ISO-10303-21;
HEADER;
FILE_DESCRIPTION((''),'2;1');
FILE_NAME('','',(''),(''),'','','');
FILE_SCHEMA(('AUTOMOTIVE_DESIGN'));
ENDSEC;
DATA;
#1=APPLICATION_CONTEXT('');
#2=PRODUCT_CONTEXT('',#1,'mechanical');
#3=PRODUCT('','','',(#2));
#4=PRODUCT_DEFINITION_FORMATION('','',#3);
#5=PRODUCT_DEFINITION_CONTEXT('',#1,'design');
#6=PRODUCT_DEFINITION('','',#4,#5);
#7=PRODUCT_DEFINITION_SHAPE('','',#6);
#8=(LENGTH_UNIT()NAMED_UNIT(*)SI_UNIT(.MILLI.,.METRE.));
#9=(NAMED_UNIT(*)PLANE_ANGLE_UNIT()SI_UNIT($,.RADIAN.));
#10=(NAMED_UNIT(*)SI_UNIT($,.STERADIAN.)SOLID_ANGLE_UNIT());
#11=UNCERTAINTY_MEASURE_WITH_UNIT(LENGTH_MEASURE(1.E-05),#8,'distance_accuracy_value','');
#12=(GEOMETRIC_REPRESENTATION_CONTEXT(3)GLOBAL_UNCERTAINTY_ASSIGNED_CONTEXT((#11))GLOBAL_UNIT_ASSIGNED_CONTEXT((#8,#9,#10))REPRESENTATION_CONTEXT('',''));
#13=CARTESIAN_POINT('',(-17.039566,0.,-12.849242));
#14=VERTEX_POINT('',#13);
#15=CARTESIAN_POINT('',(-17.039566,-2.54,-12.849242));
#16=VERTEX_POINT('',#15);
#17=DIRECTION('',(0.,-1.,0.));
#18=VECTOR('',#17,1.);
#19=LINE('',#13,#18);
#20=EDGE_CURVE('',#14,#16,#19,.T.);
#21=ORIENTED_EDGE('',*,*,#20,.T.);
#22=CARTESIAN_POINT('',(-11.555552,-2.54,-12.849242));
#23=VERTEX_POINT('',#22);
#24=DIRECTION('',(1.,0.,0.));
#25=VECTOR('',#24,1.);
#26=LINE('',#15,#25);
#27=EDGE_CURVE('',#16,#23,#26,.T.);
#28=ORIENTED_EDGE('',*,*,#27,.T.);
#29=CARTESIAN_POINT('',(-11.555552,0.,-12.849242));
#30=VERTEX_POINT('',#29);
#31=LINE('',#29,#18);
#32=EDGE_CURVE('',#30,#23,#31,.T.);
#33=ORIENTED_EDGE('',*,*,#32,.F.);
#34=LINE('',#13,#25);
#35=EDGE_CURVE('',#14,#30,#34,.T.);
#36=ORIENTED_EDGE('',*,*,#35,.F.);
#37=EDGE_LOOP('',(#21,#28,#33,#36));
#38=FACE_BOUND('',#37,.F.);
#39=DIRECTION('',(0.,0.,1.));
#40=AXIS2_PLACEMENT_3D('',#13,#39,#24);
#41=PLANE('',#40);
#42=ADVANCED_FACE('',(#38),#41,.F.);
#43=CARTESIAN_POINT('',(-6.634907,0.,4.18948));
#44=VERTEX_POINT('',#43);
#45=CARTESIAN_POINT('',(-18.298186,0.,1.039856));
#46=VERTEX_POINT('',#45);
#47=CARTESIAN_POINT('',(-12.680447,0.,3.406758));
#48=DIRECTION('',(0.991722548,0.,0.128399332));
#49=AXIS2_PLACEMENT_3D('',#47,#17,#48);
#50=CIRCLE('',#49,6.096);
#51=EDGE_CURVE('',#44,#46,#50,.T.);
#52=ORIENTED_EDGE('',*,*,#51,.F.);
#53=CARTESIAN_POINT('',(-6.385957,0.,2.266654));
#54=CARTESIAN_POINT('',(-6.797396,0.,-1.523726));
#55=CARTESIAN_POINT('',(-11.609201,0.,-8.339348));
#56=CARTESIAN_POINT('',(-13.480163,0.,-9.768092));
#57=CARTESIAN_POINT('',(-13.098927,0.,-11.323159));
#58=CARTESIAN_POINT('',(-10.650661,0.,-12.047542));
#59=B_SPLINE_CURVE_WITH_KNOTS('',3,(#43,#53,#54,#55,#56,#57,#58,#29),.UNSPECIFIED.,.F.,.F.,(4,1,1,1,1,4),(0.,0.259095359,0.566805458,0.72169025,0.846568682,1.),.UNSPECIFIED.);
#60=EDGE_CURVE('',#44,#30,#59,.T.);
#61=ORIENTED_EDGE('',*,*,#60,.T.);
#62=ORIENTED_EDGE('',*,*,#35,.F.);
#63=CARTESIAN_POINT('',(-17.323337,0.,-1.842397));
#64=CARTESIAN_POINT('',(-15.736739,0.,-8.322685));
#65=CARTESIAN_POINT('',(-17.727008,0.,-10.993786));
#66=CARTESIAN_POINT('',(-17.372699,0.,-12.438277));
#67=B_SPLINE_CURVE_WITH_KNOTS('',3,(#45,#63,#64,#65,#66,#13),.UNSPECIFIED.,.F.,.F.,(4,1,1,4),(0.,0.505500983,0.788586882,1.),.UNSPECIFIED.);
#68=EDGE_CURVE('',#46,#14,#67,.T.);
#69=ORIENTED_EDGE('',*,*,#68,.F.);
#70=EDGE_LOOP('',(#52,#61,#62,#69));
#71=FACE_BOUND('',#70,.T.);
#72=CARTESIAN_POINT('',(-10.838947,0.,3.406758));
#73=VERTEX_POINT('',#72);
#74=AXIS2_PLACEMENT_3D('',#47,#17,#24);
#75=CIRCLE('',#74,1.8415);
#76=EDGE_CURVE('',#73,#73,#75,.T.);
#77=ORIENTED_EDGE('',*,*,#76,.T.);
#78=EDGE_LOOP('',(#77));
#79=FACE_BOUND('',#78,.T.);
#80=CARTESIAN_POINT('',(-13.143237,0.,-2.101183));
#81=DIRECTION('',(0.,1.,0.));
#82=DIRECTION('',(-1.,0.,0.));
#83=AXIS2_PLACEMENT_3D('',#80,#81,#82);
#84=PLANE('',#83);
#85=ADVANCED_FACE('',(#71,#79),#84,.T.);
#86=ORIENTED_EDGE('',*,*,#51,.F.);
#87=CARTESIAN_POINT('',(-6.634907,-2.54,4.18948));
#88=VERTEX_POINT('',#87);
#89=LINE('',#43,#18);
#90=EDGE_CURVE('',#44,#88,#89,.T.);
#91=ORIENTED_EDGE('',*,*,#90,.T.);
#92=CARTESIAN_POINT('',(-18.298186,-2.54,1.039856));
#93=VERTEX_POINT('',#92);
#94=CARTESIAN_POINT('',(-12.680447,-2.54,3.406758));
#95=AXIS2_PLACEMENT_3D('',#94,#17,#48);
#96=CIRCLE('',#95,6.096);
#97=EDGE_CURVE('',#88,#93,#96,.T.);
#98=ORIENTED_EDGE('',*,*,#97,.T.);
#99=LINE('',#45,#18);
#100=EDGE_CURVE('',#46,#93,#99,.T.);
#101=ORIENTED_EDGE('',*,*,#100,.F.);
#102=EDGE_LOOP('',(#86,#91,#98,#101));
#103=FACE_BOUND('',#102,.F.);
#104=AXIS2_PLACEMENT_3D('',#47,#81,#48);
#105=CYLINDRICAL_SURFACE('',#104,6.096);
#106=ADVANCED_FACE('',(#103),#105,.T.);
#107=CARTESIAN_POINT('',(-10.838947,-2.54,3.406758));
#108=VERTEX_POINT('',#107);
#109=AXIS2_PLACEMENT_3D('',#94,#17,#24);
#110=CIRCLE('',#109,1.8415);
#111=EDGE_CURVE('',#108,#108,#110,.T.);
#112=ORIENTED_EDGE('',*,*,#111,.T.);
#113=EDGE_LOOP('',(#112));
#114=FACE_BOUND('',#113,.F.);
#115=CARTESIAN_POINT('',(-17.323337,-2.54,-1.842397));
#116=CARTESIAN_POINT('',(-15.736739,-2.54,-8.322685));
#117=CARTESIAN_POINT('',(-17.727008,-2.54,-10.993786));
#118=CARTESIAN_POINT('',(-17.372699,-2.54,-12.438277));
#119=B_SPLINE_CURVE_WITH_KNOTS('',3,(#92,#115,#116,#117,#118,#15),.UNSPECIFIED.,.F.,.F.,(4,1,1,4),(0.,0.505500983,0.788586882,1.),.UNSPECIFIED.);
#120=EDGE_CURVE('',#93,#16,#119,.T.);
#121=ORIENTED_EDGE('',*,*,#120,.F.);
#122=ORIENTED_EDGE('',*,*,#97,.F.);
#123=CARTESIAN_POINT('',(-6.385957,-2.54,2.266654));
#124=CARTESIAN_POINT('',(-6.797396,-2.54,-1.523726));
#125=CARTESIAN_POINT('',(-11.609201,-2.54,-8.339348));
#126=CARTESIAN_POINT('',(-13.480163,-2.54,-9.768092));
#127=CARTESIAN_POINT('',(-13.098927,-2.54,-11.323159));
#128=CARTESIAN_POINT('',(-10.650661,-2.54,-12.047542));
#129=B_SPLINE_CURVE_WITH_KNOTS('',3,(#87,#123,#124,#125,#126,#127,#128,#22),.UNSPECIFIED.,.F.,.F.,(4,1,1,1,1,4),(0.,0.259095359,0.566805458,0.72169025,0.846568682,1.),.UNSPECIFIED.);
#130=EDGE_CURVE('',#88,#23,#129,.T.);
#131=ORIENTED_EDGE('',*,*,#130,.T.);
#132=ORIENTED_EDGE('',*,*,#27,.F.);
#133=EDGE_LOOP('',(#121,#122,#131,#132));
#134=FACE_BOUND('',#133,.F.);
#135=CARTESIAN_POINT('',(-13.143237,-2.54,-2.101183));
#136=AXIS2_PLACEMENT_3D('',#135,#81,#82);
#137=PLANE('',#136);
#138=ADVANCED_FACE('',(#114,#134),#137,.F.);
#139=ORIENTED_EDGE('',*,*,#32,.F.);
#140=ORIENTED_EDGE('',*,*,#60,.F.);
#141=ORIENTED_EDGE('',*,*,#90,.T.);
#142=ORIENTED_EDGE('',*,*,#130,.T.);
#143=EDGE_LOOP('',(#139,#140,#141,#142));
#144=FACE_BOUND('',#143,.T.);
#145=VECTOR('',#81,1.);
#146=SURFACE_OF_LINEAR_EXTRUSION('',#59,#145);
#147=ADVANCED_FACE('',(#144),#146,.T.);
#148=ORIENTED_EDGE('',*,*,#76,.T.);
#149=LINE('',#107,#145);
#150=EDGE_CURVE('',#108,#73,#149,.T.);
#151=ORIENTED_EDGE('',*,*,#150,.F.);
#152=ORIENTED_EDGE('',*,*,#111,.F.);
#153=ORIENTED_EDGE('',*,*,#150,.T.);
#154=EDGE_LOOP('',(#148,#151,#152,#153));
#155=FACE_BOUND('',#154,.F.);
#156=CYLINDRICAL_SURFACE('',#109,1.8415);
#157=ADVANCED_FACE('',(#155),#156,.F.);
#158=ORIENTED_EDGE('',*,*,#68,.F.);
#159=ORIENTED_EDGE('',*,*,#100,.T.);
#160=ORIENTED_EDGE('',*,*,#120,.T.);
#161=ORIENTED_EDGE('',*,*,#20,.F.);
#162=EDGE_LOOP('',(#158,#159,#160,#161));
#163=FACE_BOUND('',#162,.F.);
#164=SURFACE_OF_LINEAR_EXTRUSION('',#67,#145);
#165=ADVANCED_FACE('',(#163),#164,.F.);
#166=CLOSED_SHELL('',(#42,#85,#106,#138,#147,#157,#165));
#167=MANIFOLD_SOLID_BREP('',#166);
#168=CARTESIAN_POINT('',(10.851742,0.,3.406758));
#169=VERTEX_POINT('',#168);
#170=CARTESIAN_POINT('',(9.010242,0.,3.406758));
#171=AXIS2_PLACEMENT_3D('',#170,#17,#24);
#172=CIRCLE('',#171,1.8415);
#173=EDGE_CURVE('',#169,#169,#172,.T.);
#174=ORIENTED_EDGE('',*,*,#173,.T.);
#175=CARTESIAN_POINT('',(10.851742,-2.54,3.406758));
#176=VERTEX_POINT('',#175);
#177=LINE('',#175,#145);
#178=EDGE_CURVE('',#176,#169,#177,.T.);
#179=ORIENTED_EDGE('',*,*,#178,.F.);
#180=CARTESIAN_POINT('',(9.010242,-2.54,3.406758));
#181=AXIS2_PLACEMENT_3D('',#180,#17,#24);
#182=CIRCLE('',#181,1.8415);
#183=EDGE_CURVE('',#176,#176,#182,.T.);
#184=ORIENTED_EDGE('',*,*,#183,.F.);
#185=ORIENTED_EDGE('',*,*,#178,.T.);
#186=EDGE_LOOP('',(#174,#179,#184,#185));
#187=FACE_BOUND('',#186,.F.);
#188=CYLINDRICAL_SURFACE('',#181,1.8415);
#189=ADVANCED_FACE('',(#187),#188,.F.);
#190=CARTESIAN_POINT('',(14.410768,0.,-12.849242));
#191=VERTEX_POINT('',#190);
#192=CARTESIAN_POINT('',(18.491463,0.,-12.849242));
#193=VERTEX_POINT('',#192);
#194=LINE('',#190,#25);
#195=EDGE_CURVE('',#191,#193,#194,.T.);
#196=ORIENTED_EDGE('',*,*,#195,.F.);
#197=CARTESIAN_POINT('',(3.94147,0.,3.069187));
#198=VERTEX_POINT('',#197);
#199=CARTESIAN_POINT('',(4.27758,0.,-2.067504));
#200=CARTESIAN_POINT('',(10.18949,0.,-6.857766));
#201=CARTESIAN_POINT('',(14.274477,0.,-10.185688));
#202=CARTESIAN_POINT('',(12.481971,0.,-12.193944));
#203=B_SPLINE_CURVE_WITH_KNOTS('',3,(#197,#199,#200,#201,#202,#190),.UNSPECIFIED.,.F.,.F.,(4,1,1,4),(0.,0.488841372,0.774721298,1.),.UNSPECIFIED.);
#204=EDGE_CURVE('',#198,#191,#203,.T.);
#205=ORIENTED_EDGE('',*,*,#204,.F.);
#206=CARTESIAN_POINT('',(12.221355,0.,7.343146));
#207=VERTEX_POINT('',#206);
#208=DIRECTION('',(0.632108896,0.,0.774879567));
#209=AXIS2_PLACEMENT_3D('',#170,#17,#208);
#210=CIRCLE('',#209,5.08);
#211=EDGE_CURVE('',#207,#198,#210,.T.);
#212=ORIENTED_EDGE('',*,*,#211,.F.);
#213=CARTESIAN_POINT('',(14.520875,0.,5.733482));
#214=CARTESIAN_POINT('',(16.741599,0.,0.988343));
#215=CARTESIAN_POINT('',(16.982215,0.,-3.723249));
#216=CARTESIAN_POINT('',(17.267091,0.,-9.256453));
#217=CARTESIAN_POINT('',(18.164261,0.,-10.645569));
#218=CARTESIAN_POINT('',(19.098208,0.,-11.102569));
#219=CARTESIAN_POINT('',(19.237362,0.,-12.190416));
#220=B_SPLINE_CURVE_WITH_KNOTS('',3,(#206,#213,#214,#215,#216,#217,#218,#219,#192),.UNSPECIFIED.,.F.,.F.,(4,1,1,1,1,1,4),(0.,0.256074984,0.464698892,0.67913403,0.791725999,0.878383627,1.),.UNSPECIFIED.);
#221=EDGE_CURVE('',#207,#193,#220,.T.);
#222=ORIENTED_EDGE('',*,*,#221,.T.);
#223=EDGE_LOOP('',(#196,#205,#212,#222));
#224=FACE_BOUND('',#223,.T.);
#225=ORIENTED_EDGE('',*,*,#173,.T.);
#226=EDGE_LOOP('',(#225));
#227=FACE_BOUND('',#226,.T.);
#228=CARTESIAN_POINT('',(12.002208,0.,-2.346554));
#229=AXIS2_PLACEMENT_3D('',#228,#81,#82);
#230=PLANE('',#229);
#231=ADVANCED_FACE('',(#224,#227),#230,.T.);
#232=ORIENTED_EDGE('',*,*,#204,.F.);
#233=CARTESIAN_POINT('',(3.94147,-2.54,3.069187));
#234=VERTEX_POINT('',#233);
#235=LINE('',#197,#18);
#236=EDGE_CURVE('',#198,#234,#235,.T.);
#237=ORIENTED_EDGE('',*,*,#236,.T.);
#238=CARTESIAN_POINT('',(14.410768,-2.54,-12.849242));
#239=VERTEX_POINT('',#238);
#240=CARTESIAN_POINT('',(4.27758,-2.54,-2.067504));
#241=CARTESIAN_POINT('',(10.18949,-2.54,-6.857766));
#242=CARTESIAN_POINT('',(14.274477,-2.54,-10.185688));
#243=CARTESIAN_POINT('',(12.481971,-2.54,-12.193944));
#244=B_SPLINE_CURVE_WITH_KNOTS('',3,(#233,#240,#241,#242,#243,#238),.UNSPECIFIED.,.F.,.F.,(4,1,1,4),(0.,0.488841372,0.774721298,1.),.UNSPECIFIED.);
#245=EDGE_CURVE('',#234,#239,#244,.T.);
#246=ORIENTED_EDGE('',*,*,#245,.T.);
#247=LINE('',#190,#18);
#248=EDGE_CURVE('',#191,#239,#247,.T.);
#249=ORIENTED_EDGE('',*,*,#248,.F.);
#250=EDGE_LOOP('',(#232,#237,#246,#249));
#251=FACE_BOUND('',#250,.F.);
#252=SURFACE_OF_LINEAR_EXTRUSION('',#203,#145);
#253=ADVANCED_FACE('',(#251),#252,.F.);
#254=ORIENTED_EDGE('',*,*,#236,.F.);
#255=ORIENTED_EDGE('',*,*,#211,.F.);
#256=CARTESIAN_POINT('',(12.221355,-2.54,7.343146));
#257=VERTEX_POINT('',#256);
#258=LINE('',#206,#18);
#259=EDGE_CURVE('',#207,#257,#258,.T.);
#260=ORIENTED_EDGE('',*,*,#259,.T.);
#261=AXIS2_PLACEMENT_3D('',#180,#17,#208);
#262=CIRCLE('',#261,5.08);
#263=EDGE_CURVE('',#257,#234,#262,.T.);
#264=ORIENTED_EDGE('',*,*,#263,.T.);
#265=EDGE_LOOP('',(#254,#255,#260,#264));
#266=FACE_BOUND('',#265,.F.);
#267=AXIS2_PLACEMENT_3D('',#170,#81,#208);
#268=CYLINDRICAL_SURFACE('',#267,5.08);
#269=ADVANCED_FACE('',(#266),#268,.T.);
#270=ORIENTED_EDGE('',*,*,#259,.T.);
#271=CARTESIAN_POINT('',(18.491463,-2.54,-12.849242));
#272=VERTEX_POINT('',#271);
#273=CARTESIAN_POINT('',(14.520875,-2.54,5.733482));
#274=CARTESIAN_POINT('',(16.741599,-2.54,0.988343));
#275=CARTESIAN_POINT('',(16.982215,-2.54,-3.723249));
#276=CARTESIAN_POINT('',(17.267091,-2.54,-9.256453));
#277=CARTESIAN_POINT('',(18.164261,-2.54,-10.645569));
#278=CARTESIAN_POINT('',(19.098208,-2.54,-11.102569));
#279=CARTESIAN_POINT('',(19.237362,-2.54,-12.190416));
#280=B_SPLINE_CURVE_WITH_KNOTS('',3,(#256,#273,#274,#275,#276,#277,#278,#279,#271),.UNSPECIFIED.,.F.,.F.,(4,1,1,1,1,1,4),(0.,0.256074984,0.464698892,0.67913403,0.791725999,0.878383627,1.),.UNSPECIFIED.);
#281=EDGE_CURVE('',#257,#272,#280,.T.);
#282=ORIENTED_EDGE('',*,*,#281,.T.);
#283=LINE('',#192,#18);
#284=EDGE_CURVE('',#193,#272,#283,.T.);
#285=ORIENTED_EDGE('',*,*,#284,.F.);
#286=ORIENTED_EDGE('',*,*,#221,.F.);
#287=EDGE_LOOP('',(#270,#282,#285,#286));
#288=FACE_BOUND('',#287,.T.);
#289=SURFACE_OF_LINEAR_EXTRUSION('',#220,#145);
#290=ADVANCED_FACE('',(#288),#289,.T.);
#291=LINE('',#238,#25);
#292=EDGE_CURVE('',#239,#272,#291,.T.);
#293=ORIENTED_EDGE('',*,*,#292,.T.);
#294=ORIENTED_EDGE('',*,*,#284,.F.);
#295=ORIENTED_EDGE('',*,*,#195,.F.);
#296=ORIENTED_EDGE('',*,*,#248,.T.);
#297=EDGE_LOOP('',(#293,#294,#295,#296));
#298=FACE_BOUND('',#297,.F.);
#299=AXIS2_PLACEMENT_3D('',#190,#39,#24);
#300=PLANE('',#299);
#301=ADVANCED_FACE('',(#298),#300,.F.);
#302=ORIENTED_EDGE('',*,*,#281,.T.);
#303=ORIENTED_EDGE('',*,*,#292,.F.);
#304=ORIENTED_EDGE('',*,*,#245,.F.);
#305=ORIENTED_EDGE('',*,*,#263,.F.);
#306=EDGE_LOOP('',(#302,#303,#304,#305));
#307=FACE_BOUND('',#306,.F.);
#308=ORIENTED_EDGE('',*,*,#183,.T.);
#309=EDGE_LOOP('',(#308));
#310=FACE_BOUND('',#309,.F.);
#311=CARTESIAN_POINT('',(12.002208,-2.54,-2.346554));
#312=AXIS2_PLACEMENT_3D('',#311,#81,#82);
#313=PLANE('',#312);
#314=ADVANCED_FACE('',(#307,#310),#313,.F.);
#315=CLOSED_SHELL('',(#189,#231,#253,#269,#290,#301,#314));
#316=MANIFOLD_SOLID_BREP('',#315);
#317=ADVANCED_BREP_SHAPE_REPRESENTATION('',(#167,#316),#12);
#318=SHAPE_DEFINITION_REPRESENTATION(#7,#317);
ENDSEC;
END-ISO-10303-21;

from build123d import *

# Parameters (mm, degrees)
F0_R     = 1.905
F1_DEPTH = 3.175
F2_SCALE = 0.8
F3_R     = 1.8415
F4_DEPTH = 2.5410001


with BuildPart() as f1:
    # F0 (on Front) → F1 (new body)
    with BuildSketch(Plane.XZ):
        with BuildLine():
            add(Edge.make_bspline(
                [(15.2766938218, 9.1789322707), (18.151094091, 7.1668521774), (20.9269990257, 1.23542886), (21.2277681546, -4.6540606662), (21.5838634633, -11.5705662324), (22.7053267286, -13.3069617185), (23.8727598783, -13.8782113098), (24.046701891, -15.238019906), (23.1143286587, -16.0615529811)],
                knots=[0, 0, 0, 0, 0.2560749835, 0.4646988923, 0.6791340304, 0.7917259994, 0.8783836268, 1, 1, 1, 1], degree=3))
            ThreePointArc((15.2766938218, 9.1789322707), (8.3501666844, 9.9010575477), (4.9268378045, 3.8364831619))
            add(Edge.make_bspline(
                [(4.9268378045, 3.8364831619), (5.346975618, -2.5843795785), (12.736862968, -8.5722075624), (17.843095969, -12.7321101967), (15.6024638024, -15.2424295391), (18.0134600164, -16.0615529811)],
                knots=[0, 0, 0, 0, 0.4888413716, 0.774721298, 1, 1, 1, 1], degree=3))
            Line((18.0134600164, -16.0615529811), (23.1143286587, -16.0615529811))
        make_face()
        with Locations((11.2628023327, 4.2584470189)):
            Circle(F0_R, mode=Mode.SUBTRACT)
    extrude(amount=F1_DEPTH)


with BuildPart() as f1b:
    # F0 (on Front) → F1, piece 2 (new body)
    with BuildSketch(Plane.XZ):
        with BuildLine():
            add(Edge.make_bspline(
                [(-8.2936335114, 5.2368499319), (-7.9824457686, 2.8333179563), (-8.4967454129, -1.9046579068), (-14.5115015192, -10.424185367), (-16.8502036964, -12.2101148814), (-16.3736586102, -14.1539483863), (-13.3133264784, -15.0594276561), (-14.4444399621, -16.0615529811)],
                knots=[0, 0, 0, 0, 0.2590953594, 0.5668054584, 0.72169025, 0.8465686818, 1, 1, 1, 1], degree=3))
            ThreePointArc((-8.2936335114, 5.2368499319), (-17.8371497576, 11.6149311281), (-22.8727331196, 1.2998197719))
            add(Edge.make_bspline(
                [(-22.8727331196, 1.2998197719), (-21.6541715744, -2.3029959403), (-19.6709242531, -10.4033567029), (-22.1587598592, -13.742231951), (-21.7158737806, -15.5478463297), (-21.2994578776, -16.0615529811)],
                knots=[0, 0, 0, 0, 0.505500983, 0.788586882, 1, 1, 1, 1], degree=3))
            Line((-21.2994578776, -16.0615529811), (-14.4444399621, -16.0615529811))
        make_face()
        with Locations((-15.8505593242, 4.2584470189)):
            Circle(F0_R, mode=Mode.SUBTRACT)
    extrude(amount=F1_DEPTH)


with BuildPart() as f1_1:
    # F2: moved
    add(f1.part.scale(F2_SCALE))


with BuildPart() as f1b_1:
    # F2: moved
    add(f1b.part.scale(F2_SCALE))


with BuildPart() as f4_tool:
    # F3 (on face) → F4 (new body, through all)
    with BuildSketch(Plane.XZ.offset(2.54)):
        with Locations((-12.6804474594, 3.4067576151)):
            Circle(F3_R)
        with Locations((9.0102418662, 3.4067576151)):
            Circle(F3_R)
    extrude(amount=-F4_DEPTH)


with BuildPart() as f1_2:
    add(f1_1.part)

    # F4: cut by f4_tool
    add(f4_tool.part, mode=Mode.SUBTRACT)


with BuildPart() as f1b_2:
    add(f1b_1.part)

    # F4: cut by f4_tool
    add(f4_tool.part, mode=Mode.SUBTRACT)


solid = Compound([f1_2.part, f1b_2.part])
